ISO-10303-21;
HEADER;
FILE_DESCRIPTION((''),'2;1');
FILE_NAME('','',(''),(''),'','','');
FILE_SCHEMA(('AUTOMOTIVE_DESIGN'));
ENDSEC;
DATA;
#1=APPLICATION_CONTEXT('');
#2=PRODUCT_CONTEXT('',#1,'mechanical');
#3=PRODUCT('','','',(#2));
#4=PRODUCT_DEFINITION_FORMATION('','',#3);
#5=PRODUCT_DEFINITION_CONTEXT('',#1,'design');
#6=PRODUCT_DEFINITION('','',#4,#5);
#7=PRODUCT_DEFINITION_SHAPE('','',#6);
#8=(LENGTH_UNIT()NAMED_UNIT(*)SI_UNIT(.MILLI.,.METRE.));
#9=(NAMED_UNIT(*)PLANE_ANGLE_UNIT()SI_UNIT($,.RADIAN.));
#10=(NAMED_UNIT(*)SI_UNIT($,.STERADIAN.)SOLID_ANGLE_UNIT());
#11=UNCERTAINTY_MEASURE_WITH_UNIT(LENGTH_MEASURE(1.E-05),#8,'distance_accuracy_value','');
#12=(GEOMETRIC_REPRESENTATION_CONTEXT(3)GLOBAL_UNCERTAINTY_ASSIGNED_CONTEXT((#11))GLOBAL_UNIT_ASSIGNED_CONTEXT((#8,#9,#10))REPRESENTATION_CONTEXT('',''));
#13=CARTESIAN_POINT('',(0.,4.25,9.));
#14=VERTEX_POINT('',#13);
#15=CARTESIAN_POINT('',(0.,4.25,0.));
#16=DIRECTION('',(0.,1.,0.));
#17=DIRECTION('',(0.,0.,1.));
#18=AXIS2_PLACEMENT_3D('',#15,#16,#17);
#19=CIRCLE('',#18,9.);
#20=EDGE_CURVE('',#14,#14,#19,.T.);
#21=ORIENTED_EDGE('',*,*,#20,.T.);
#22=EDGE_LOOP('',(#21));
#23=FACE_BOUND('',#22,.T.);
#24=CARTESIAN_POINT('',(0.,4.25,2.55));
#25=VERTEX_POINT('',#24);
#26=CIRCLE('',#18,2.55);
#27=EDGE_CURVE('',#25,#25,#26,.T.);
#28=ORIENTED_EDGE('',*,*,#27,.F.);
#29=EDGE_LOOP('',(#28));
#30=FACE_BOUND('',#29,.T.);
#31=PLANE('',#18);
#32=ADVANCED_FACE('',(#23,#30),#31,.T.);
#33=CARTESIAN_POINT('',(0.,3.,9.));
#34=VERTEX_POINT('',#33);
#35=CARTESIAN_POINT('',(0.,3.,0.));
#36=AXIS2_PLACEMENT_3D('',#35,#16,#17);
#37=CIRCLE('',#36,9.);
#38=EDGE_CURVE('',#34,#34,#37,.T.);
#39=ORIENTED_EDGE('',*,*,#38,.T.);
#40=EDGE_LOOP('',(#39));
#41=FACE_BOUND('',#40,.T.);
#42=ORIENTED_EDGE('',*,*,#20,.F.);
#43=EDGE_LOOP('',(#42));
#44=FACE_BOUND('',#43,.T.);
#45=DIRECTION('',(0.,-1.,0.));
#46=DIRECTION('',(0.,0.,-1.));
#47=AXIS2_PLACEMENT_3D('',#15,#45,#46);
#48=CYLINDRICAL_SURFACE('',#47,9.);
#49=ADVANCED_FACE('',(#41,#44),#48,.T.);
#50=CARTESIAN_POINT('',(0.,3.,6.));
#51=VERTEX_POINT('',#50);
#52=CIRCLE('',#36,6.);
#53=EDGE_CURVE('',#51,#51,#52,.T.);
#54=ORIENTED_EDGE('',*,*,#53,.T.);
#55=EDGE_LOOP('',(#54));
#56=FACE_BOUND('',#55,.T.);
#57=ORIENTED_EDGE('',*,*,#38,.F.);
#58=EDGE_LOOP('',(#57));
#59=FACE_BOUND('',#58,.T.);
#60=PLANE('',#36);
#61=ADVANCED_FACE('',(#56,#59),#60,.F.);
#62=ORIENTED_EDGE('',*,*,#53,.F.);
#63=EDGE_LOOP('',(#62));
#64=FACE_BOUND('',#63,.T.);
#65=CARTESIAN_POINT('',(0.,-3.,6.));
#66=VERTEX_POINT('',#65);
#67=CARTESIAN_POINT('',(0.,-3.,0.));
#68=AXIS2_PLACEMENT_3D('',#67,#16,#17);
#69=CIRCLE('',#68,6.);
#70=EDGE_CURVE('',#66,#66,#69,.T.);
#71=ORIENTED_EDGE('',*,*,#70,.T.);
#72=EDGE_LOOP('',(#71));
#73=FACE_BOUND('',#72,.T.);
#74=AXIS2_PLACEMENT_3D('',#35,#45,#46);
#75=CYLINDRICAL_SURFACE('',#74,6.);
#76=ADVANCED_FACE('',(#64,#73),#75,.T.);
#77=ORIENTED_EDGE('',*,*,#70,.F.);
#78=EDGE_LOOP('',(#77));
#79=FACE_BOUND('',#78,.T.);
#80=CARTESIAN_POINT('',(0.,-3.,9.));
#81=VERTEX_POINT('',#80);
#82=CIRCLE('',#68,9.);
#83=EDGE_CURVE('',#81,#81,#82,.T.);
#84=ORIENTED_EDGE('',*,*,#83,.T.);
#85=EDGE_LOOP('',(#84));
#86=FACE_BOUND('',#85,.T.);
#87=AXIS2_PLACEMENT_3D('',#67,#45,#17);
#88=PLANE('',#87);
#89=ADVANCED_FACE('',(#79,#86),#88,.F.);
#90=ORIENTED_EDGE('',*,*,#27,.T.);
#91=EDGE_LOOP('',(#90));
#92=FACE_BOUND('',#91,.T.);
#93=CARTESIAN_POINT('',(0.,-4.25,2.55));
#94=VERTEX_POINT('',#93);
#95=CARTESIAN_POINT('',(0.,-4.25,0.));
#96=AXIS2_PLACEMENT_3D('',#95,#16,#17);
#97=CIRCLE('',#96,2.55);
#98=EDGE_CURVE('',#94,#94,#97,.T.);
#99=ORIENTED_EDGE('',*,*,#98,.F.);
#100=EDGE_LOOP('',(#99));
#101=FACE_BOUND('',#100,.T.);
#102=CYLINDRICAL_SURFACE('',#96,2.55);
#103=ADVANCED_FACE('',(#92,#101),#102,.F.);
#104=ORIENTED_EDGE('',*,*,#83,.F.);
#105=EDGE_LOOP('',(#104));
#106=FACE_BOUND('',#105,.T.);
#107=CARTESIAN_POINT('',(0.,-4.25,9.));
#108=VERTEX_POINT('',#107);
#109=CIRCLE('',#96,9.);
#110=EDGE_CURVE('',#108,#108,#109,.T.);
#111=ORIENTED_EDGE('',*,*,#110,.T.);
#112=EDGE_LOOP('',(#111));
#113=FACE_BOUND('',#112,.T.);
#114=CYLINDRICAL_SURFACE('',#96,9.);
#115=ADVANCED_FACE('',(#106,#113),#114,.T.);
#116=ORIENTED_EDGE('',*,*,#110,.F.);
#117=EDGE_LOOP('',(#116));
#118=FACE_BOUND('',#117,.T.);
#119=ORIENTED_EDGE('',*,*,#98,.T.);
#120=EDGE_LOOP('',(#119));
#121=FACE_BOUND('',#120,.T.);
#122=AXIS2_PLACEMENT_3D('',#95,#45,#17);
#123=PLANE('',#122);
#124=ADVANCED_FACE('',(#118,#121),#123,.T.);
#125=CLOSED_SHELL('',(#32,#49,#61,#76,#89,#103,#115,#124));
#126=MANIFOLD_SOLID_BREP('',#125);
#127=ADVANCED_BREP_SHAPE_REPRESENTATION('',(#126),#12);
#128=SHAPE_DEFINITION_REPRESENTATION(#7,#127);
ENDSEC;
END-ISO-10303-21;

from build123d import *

# Parameters (mm, degrees)
SKETCH_1_R          = 6
EXTRUDE_1_DEPTH     = 3
SKETCH_3_R          = 9
EXTRUDE_2_DEPTH     = 1.25
SKETCH_4_R          = 2.55
CUT_EXTRUDE_1_DEPTH = 16.305227865


with BuildPart() as part:
    # 草图1 → 凸台-拉伸1 (new, symmetric)
    with BuildSketch(Plane(origin=(0, 0, 0), x_dir=(1, 0, 0), z_dir=(0, 1, 0))):
        with Locations(Location((0, 0, 0), (0, 0, 270))):
            Circle(SKETCH_1_R)
    extrude(amount=EXTRUDE_1_DEPTH, both=True)

    # 草图3 → 凸台-拉伸2 (add)
    with BuildSketch(Plane(origin=(0, 3, 0), x_dir=(1, 0, 0), z_dir=(0, 1, 0))):
        with Locations(Location((0, 0, 0), (0, 0, 270))):
            Circle(SKETCH_3_R)
    extrude_2 = extrude(amount=EXTRUDE_2_DEPTH)

    # 镜向1: 凸台-拉伸2 across plane
    add(extrude_2.mirror(Plane.ZX))

    # 草图4 → 切除-拉伸1 (cut, through all)
    with BuildSketch(Plane(origin=(0, 4.25, 0), x_dir=(1, 0, 0), z_dir=(0, 1, 0))):
        with Locations(Location((0, 0, 0), (0, 0, 270))):
            Circle(SKETCH_4_R)
    extrude(amount=-CUT_EXTRUDE_1_DEPTH, mode=Mode.SUBTRACT)


solid = part.part
